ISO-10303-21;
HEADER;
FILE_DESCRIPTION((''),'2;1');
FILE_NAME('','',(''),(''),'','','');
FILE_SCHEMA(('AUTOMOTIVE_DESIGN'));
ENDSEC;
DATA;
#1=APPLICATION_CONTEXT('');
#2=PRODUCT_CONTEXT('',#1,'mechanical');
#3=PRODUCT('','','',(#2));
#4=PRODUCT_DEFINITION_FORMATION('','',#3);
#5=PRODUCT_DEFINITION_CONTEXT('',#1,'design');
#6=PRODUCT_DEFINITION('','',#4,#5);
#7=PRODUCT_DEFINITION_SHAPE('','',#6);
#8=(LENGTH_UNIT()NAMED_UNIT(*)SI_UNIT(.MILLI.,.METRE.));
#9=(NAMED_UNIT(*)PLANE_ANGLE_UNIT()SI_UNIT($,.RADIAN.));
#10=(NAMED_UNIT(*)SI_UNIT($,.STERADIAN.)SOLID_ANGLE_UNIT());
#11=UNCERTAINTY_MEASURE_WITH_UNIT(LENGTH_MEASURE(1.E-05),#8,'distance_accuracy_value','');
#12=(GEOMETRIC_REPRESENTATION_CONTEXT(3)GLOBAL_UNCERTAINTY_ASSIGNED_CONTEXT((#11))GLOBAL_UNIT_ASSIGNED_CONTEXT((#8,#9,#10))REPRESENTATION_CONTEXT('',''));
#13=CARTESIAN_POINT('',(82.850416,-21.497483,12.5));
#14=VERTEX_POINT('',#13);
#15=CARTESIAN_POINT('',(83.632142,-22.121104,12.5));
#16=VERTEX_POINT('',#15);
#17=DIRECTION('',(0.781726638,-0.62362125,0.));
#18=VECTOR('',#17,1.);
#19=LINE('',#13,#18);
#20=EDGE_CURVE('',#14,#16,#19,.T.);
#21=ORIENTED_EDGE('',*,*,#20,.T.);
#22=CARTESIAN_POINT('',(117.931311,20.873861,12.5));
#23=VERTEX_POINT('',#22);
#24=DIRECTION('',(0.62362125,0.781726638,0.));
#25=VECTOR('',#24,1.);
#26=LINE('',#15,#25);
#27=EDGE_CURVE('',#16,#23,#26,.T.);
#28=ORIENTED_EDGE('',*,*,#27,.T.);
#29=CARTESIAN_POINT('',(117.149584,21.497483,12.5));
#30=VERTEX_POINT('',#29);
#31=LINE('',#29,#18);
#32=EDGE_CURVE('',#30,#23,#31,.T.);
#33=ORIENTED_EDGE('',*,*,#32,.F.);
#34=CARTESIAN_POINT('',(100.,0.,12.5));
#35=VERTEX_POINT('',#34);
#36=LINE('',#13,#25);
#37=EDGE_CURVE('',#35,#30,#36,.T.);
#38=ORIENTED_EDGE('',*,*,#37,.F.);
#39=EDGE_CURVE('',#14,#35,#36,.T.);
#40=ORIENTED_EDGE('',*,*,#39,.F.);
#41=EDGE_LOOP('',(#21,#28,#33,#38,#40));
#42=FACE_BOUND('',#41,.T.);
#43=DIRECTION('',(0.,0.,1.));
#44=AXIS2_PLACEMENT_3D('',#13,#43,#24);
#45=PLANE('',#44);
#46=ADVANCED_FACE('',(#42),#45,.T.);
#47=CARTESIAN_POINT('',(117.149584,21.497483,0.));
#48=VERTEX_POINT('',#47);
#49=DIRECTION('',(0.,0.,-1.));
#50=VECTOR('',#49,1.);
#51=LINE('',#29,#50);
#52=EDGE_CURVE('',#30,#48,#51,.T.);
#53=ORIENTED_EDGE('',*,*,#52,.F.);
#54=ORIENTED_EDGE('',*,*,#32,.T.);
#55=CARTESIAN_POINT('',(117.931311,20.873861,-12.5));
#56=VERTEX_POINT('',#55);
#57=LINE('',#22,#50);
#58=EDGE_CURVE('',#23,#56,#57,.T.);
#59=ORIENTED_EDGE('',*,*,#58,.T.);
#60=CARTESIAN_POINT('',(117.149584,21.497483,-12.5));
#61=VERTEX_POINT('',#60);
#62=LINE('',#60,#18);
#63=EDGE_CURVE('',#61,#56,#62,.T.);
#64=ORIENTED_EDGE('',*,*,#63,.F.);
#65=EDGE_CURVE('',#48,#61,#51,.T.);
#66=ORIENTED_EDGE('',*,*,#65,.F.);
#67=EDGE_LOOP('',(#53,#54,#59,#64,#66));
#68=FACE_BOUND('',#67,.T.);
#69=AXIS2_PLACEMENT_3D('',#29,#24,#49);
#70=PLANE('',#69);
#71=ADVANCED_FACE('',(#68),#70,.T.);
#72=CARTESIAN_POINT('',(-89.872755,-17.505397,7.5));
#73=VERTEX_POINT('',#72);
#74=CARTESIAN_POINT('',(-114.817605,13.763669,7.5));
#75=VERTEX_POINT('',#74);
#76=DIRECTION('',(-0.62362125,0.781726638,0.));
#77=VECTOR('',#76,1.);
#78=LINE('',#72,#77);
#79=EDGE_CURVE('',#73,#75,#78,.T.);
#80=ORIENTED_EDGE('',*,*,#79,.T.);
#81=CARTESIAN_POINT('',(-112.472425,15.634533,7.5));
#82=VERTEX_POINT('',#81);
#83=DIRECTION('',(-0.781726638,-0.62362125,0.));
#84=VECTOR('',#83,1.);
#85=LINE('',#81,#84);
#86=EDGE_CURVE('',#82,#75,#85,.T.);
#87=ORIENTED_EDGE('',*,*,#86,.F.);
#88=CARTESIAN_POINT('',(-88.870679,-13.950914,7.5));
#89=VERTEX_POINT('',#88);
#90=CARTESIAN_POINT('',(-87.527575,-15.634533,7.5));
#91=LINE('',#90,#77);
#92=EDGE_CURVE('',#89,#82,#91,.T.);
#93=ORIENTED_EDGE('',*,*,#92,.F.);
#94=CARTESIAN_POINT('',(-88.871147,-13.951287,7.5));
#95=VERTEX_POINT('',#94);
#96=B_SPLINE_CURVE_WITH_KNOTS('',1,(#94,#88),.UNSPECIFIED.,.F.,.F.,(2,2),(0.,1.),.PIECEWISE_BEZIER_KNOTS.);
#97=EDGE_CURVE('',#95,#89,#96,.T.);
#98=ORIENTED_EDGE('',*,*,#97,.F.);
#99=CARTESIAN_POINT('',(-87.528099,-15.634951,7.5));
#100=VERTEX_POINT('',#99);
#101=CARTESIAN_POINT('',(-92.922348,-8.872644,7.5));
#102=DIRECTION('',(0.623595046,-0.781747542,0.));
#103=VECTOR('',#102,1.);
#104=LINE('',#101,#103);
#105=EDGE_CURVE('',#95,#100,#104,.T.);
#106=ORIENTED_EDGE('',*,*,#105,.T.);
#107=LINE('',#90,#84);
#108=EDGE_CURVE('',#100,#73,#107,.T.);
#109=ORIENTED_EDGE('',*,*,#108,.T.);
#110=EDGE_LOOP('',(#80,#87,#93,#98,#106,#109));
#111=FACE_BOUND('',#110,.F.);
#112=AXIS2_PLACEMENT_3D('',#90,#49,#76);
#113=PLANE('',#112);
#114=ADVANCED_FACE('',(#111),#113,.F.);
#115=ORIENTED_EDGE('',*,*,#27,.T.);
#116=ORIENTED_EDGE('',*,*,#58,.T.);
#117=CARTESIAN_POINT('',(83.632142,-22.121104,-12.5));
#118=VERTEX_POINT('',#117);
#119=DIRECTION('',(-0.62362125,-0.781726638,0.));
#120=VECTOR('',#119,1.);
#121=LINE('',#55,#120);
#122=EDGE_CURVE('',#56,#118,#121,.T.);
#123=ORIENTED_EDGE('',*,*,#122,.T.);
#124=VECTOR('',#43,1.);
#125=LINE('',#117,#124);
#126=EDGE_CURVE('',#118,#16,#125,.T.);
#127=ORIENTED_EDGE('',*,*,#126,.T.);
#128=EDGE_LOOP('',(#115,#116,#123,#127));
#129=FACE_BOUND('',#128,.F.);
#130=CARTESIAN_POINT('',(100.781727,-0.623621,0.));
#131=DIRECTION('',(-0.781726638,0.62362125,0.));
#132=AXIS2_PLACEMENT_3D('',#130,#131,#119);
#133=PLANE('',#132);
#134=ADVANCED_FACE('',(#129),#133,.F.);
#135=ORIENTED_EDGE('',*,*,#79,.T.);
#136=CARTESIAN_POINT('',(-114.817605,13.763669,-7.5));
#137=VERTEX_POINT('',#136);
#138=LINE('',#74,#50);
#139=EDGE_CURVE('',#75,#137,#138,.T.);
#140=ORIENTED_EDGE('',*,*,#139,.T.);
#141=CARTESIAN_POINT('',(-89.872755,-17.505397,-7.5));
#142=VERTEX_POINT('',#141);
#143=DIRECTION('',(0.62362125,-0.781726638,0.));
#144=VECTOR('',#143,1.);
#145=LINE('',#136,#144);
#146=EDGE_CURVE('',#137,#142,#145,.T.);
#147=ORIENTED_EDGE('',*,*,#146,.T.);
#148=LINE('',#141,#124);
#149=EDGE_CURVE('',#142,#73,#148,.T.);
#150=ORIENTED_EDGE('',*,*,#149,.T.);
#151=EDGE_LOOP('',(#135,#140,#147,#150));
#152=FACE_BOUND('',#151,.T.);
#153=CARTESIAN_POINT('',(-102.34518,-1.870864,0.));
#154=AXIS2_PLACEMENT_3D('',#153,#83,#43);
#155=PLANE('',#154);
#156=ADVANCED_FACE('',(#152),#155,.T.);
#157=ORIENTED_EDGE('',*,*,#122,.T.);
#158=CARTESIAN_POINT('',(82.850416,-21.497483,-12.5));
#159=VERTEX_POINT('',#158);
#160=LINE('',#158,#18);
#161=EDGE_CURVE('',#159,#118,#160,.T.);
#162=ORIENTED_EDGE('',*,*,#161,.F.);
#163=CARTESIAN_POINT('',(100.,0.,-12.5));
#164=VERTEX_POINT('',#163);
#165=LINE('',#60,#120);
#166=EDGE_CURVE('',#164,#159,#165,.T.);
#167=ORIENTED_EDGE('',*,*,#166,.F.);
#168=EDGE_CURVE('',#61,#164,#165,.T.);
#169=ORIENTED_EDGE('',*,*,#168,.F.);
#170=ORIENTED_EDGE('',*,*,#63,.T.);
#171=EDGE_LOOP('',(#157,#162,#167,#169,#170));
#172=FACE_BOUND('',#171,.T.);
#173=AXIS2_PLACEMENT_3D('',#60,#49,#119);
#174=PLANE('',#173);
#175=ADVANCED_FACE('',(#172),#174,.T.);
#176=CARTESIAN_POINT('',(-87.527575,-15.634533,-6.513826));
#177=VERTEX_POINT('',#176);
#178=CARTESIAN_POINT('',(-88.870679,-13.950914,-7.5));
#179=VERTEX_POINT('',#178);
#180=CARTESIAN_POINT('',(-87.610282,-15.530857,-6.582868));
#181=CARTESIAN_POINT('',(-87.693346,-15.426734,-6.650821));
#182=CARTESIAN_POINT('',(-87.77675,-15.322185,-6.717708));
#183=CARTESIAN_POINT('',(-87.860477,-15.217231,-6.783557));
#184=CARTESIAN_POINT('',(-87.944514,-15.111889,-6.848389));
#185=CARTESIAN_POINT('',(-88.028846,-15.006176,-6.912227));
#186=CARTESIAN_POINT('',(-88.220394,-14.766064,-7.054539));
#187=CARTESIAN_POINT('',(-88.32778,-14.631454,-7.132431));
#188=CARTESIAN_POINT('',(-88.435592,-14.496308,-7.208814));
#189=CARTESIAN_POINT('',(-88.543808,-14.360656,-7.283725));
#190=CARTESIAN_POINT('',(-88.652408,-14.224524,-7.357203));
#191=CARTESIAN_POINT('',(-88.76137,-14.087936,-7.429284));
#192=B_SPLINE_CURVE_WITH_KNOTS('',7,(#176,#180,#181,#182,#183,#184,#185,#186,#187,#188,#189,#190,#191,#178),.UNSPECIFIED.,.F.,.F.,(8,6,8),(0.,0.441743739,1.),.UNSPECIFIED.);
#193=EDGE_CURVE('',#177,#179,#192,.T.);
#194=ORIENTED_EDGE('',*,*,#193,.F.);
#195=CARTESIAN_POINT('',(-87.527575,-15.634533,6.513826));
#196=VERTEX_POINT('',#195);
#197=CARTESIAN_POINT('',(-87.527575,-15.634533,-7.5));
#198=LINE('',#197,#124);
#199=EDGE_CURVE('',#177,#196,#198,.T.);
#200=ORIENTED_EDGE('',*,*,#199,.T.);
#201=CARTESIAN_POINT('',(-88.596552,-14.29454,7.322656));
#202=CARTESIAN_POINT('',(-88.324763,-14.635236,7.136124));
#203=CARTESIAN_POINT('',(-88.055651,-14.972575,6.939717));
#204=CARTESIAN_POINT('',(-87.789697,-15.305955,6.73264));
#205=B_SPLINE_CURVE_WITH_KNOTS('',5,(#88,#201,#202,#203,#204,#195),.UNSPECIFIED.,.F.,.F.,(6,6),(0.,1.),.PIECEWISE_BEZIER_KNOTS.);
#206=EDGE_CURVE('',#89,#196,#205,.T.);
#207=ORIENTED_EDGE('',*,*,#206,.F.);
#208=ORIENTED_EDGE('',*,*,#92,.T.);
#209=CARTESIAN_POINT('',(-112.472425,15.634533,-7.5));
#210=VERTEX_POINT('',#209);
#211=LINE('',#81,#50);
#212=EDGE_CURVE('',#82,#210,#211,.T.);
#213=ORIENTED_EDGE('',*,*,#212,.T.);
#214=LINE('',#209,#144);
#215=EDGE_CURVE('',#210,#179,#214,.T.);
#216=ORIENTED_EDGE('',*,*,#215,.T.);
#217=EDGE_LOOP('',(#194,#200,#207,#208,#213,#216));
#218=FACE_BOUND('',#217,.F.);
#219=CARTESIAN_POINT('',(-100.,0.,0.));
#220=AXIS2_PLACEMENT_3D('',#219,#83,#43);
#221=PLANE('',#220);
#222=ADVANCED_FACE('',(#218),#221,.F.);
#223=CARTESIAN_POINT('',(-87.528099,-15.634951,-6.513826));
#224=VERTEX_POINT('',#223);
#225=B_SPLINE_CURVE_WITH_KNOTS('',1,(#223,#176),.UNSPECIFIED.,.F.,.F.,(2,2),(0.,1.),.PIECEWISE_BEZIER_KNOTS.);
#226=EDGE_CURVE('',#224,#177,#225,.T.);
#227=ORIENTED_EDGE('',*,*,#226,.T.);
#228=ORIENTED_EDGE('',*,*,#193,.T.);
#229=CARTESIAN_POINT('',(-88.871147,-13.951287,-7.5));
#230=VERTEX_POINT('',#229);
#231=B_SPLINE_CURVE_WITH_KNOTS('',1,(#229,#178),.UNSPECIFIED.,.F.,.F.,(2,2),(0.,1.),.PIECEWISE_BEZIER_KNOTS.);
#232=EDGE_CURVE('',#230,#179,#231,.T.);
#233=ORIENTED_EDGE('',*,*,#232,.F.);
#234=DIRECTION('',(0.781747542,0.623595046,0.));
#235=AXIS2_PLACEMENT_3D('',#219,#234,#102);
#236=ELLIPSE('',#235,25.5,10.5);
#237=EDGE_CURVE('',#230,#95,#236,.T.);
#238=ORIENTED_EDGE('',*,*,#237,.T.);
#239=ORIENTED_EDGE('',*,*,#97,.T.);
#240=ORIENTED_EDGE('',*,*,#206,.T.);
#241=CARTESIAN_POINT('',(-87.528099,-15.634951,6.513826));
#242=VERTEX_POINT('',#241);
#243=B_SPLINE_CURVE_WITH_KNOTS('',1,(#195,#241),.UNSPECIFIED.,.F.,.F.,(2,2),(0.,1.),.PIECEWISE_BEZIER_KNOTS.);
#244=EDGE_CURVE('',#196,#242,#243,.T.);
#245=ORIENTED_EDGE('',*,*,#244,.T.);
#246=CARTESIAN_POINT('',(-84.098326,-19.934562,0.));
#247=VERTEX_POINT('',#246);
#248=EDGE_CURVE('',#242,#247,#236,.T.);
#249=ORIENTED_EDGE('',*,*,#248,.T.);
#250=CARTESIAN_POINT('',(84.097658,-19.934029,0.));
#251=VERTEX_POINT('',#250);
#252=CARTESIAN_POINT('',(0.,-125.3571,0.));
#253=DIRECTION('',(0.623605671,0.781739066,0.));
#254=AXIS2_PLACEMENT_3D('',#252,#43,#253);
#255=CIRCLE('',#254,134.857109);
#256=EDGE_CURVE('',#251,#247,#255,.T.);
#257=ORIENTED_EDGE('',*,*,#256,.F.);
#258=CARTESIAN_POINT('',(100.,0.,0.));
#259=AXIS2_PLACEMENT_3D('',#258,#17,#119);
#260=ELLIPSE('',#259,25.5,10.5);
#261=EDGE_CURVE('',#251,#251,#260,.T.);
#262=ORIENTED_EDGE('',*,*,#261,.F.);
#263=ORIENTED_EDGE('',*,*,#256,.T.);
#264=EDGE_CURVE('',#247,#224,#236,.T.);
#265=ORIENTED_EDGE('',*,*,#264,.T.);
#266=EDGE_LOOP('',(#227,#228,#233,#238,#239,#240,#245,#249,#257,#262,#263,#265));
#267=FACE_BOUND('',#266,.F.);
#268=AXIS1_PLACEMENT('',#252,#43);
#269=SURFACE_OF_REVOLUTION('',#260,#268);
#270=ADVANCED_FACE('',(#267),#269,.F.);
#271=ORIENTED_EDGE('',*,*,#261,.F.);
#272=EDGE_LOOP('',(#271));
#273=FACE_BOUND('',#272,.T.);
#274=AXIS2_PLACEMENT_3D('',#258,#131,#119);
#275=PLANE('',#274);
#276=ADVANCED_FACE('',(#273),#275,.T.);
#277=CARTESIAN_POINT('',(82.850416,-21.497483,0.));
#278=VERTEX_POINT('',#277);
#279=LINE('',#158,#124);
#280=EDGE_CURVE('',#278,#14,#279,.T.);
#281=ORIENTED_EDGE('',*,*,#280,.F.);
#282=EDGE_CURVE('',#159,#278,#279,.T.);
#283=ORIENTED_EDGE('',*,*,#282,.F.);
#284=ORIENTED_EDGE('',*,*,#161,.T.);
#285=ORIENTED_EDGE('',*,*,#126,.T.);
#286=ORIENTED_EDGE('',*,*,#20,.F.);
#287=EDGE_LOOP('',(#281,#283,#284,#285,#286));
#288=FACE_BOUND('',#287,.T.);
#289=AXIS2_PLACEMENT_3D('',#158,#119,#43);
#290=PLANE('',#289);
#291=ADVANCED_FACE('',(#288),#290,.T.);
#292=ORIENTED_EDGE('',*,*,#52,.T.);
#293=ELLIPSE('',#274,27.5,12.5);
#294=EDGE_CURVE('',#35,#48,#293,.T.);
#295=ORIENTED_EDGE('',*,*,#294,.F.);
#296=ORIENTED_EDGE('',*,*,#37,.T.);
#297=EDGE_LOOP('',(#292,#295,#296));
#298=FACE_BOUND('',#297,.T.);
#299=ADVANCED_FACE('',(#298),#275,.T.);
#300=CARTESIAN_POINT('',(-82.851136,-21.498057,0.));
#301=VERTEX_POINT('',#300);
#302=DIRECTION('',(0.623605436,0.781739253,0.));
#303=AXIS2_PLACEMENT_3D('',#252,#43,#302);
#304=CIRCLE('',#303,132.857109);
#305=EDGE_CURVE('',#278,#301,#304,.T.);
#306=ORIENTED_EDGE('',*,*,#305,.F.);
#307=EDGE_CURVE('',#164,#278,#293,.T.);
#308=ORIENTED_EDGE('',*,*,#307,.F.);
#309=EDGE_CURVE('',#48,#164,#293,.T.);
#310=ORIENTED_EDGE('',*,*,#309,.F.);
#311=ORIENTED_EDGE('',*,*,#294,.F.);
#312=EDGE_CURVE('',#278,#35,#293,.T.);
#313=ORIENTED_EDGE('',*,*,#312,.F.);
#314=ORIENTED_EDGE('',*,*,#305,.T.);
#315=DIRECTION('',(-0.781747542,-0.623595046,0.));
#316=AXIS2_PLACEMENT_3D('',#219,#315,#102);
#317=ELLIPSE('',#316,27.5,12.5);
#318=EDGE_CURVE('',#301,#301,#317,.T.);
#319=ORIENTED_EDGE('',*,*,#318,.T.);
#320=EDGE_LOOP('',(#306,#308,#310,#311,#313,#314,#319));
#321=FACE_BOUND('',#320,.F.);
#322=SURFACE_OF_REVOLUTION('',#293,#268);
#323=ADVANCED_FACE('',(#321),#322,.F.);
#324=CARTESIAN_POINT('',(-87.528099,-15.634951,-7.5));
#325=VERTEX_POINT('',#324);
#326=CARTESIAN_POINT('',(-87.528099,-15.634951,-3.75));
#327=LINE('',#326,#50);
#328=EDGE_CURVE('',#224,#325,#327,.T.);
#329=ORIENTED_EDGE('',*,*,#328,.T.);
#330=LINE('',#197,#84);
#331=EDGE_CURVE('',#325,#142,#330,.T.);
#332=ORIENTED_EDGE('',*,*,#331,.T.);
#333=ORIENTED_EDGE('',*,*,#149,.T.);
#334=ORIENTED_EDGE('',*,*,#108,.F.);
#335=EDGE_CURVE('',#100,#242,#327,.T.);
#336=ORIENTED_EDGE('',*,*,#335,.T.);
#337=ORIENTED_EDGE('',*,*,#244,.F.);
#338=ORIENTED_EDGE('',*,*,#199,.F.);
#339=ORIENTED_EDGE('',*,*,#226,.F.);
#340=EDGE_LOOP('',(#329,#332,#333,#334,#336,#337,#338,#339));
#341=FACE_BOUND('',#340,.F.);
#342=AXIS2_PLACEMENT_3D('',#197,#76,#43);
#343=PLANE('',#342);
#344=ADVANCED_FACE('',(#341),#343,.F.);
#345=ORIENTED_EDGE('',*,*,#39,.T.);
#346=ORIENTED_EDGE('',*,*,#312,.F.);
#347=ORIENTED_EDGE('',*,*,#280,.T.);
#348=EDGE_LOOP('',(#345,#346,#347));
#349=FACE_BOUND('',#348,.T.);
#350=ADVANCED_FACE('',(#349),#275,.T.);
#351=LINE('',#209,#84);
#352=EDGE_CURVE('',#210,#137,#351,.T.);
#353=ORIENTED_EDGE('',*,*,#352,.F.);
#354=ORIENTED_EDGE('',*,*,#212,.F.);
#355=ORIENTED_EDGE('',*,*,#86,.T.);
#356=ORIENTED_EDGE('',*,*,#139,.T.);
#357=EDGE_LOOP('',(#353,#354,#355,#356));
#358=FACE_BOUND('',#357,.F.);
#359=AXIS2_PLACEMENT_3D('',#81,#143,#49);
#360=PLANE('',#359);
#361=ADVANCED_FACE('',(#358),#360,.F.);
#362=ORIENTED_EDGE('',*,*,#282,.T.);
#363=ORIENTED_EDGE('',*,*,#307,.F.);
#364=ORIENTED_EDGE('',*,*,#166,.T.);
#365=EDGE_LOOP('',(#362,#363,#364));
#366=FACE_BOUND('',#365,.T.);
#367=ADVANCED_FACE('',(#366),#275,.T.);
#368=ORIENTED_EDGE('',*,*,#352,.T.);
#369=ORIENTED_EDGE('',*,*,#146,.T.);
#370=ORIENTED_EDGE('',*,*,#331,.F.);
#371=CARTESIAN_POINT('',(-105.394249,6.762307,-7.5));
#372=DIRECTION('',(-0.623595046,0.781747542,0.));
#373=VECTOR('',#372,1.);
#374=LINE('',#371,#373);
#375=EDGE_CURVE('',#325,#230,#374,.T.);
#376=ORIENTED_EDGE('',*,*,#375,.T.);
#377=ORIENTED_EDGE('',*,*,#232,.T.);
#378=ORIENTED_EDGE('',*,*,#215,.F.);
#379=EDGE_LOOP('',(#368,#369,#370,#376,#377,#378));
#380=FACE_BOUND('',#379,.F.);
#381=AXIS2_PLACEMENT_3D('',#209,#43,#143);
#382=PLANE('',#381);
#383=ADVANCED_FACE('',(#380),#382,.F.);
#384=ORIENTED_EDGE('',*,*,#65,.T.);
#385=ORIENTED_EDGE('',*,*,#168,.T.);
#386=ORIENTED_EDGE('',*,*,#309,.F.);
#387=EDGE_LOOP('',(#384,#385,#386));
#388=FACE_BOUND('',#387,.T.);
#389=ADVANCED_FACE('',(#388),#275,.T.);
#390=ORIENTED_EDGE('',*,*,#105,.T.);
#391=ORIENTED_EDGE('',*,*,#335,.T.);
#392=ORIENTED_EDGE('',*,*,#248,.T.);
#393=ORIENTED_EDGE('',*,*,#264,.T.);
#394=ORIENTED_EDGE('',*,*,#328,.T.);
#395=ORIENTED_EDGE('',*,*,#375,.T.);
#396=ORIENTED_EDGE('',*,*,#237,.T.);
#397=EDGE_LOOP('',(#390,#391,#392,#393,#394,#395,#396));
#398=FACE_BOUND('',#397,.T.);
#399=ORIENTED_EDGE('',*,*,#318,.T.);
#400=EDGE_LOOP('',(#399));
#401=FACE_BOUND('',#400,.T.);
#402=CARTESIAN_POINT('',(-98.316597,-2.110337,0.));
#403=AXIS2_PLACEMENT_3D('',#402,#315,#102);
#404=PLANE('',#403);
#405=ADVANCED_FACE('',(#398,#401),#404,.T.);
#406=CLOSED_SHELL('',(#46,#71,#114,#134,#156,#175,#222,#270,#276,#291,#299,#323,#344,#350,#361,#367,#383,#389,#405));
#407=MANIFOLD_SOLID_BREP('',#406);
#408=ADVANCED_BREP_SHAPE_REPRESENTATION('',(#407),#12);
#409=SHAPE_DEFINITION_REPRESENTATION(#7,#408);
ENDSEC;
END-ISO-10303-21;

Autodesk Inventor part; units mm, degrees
ref_plane "YZ Plane" through (0, 0, 0) normal (1, 0, 0) x (0, 1, 0)
sketch "Sketch3" plane through (0, 0, 0) normal (0, 0, 1) x (1, 0, 0)
  line L0 (-140, 0) -> (140, 0) projected
  line L1 (0, -157.4286) -> (0, 67.0714) projected
  arc A0 (100, 0) -> (-100, 0) centre (0, -125.3571) ccw
  line L2 (-90.9685, 35) -> (88.04, 35) construction
  point P0 (0, 0)
  point P1 (0, 35)
  dimension "d0" = 200
  dimension "d1" = 35
ref_plane "Work Plane1" through (100, 0, 0) normal (-0.7817, 0.6236, 0) x (-0.6236, -0.7817, 0)
sketch "Sketch5" plane through (100, 0, 0) normal (-0.7817, 0.6236, 0) x (-0.6236, -0.7817, 0)
  ellipse E0 centre (0, 0) end of major axis (0, -12.5) minor radius 27.5
  ellipse E1 centre (0, 0) end of major axis (0, -10.5) minor radius 25.5
  point P0 (62.3608, 0)
  dimension "d2" = 27.5
  dimension "d3" = 12.5
  dimension "d4" = 25.5
  dimension "d5" = 10.5
sweep "Sweep1" add profiles "Sketch5" path "Sketch3" path curves A0
sketch "Sketch6" plane through (100, 0, 0) normal (-0.7817, 0.6236, 0) x (-0.6236, -0.7817, 0)
  line L0 (27.5, 12.5) -> (-27.5, 12.5)
  line L1 (-27.5, 12.5) -> (-27.5, -12.5)
  line L2 (-27.5, -12.5) -> (27.5, -12.5)
  line L3 (27.5, -12.5) -> (27.5, 12.5)
  line L4 (27.5, 12.5) -> (-27.5, -12.5) construction
  line L5 (-27.5, 12.5) -> (27.5, -12.5) construction
  point P0 (62.3608, 0)
  point P1 (0, 0)
  dimension "d8" = 55
  dimension "d9" = 25
extrude "Extrusion1" add sketch "Sketch6" against normal blind 1
ref_plane "Work Plane2" through (-100, 0, 0) normal (-0.7817, -0.6236, 0) x (0, 0, 1)
sketch "Sketch7" plane through (-100, 0, 0) normal (-0.7817, -0.6236, 0) x (0, 0, 1)
  line L0 (-7.5, -20) -> (7.5, -20)
  line L1 (7.5, -20) -> (7.5, 20)
  line L2 (7.5, 20) -> (-7.5, 20)
  line L3 (-7.5, 20) -> (-7.5, -20)
  line L4 (-7.5, -20) -> (7.5, 20) construction
  line L5 (7.5, -20) -> (-7.5, 20) construction
  point P0 (0, -62.3608)
  point P1 (0, 0)
  dimension "d12" = 15
  dimension "d13" = 40
extrude "Extrusion2" add sketch "Sketch7" along normal blind 3
equation "\"BendRadius\" = Thickness"
equation "\"BendReliefWidth\" = Thickness"
equation "\"BendReliefDepth\" = 0.5 * Thickness"
equation "\"CornerReliefSize\" = 4 * Thickness"
equation "\"MinimumRemnant\" = 2 * Thickness"
equation "\"TransitionRadius\" = BendRadius"
equation "\"JacobiRadiusSize\" = BendRadius"
equation "\"GapSize\" = Thickness"
equation "\"Thickness\" = 0.5"
properties part number "Handle bars holder"
